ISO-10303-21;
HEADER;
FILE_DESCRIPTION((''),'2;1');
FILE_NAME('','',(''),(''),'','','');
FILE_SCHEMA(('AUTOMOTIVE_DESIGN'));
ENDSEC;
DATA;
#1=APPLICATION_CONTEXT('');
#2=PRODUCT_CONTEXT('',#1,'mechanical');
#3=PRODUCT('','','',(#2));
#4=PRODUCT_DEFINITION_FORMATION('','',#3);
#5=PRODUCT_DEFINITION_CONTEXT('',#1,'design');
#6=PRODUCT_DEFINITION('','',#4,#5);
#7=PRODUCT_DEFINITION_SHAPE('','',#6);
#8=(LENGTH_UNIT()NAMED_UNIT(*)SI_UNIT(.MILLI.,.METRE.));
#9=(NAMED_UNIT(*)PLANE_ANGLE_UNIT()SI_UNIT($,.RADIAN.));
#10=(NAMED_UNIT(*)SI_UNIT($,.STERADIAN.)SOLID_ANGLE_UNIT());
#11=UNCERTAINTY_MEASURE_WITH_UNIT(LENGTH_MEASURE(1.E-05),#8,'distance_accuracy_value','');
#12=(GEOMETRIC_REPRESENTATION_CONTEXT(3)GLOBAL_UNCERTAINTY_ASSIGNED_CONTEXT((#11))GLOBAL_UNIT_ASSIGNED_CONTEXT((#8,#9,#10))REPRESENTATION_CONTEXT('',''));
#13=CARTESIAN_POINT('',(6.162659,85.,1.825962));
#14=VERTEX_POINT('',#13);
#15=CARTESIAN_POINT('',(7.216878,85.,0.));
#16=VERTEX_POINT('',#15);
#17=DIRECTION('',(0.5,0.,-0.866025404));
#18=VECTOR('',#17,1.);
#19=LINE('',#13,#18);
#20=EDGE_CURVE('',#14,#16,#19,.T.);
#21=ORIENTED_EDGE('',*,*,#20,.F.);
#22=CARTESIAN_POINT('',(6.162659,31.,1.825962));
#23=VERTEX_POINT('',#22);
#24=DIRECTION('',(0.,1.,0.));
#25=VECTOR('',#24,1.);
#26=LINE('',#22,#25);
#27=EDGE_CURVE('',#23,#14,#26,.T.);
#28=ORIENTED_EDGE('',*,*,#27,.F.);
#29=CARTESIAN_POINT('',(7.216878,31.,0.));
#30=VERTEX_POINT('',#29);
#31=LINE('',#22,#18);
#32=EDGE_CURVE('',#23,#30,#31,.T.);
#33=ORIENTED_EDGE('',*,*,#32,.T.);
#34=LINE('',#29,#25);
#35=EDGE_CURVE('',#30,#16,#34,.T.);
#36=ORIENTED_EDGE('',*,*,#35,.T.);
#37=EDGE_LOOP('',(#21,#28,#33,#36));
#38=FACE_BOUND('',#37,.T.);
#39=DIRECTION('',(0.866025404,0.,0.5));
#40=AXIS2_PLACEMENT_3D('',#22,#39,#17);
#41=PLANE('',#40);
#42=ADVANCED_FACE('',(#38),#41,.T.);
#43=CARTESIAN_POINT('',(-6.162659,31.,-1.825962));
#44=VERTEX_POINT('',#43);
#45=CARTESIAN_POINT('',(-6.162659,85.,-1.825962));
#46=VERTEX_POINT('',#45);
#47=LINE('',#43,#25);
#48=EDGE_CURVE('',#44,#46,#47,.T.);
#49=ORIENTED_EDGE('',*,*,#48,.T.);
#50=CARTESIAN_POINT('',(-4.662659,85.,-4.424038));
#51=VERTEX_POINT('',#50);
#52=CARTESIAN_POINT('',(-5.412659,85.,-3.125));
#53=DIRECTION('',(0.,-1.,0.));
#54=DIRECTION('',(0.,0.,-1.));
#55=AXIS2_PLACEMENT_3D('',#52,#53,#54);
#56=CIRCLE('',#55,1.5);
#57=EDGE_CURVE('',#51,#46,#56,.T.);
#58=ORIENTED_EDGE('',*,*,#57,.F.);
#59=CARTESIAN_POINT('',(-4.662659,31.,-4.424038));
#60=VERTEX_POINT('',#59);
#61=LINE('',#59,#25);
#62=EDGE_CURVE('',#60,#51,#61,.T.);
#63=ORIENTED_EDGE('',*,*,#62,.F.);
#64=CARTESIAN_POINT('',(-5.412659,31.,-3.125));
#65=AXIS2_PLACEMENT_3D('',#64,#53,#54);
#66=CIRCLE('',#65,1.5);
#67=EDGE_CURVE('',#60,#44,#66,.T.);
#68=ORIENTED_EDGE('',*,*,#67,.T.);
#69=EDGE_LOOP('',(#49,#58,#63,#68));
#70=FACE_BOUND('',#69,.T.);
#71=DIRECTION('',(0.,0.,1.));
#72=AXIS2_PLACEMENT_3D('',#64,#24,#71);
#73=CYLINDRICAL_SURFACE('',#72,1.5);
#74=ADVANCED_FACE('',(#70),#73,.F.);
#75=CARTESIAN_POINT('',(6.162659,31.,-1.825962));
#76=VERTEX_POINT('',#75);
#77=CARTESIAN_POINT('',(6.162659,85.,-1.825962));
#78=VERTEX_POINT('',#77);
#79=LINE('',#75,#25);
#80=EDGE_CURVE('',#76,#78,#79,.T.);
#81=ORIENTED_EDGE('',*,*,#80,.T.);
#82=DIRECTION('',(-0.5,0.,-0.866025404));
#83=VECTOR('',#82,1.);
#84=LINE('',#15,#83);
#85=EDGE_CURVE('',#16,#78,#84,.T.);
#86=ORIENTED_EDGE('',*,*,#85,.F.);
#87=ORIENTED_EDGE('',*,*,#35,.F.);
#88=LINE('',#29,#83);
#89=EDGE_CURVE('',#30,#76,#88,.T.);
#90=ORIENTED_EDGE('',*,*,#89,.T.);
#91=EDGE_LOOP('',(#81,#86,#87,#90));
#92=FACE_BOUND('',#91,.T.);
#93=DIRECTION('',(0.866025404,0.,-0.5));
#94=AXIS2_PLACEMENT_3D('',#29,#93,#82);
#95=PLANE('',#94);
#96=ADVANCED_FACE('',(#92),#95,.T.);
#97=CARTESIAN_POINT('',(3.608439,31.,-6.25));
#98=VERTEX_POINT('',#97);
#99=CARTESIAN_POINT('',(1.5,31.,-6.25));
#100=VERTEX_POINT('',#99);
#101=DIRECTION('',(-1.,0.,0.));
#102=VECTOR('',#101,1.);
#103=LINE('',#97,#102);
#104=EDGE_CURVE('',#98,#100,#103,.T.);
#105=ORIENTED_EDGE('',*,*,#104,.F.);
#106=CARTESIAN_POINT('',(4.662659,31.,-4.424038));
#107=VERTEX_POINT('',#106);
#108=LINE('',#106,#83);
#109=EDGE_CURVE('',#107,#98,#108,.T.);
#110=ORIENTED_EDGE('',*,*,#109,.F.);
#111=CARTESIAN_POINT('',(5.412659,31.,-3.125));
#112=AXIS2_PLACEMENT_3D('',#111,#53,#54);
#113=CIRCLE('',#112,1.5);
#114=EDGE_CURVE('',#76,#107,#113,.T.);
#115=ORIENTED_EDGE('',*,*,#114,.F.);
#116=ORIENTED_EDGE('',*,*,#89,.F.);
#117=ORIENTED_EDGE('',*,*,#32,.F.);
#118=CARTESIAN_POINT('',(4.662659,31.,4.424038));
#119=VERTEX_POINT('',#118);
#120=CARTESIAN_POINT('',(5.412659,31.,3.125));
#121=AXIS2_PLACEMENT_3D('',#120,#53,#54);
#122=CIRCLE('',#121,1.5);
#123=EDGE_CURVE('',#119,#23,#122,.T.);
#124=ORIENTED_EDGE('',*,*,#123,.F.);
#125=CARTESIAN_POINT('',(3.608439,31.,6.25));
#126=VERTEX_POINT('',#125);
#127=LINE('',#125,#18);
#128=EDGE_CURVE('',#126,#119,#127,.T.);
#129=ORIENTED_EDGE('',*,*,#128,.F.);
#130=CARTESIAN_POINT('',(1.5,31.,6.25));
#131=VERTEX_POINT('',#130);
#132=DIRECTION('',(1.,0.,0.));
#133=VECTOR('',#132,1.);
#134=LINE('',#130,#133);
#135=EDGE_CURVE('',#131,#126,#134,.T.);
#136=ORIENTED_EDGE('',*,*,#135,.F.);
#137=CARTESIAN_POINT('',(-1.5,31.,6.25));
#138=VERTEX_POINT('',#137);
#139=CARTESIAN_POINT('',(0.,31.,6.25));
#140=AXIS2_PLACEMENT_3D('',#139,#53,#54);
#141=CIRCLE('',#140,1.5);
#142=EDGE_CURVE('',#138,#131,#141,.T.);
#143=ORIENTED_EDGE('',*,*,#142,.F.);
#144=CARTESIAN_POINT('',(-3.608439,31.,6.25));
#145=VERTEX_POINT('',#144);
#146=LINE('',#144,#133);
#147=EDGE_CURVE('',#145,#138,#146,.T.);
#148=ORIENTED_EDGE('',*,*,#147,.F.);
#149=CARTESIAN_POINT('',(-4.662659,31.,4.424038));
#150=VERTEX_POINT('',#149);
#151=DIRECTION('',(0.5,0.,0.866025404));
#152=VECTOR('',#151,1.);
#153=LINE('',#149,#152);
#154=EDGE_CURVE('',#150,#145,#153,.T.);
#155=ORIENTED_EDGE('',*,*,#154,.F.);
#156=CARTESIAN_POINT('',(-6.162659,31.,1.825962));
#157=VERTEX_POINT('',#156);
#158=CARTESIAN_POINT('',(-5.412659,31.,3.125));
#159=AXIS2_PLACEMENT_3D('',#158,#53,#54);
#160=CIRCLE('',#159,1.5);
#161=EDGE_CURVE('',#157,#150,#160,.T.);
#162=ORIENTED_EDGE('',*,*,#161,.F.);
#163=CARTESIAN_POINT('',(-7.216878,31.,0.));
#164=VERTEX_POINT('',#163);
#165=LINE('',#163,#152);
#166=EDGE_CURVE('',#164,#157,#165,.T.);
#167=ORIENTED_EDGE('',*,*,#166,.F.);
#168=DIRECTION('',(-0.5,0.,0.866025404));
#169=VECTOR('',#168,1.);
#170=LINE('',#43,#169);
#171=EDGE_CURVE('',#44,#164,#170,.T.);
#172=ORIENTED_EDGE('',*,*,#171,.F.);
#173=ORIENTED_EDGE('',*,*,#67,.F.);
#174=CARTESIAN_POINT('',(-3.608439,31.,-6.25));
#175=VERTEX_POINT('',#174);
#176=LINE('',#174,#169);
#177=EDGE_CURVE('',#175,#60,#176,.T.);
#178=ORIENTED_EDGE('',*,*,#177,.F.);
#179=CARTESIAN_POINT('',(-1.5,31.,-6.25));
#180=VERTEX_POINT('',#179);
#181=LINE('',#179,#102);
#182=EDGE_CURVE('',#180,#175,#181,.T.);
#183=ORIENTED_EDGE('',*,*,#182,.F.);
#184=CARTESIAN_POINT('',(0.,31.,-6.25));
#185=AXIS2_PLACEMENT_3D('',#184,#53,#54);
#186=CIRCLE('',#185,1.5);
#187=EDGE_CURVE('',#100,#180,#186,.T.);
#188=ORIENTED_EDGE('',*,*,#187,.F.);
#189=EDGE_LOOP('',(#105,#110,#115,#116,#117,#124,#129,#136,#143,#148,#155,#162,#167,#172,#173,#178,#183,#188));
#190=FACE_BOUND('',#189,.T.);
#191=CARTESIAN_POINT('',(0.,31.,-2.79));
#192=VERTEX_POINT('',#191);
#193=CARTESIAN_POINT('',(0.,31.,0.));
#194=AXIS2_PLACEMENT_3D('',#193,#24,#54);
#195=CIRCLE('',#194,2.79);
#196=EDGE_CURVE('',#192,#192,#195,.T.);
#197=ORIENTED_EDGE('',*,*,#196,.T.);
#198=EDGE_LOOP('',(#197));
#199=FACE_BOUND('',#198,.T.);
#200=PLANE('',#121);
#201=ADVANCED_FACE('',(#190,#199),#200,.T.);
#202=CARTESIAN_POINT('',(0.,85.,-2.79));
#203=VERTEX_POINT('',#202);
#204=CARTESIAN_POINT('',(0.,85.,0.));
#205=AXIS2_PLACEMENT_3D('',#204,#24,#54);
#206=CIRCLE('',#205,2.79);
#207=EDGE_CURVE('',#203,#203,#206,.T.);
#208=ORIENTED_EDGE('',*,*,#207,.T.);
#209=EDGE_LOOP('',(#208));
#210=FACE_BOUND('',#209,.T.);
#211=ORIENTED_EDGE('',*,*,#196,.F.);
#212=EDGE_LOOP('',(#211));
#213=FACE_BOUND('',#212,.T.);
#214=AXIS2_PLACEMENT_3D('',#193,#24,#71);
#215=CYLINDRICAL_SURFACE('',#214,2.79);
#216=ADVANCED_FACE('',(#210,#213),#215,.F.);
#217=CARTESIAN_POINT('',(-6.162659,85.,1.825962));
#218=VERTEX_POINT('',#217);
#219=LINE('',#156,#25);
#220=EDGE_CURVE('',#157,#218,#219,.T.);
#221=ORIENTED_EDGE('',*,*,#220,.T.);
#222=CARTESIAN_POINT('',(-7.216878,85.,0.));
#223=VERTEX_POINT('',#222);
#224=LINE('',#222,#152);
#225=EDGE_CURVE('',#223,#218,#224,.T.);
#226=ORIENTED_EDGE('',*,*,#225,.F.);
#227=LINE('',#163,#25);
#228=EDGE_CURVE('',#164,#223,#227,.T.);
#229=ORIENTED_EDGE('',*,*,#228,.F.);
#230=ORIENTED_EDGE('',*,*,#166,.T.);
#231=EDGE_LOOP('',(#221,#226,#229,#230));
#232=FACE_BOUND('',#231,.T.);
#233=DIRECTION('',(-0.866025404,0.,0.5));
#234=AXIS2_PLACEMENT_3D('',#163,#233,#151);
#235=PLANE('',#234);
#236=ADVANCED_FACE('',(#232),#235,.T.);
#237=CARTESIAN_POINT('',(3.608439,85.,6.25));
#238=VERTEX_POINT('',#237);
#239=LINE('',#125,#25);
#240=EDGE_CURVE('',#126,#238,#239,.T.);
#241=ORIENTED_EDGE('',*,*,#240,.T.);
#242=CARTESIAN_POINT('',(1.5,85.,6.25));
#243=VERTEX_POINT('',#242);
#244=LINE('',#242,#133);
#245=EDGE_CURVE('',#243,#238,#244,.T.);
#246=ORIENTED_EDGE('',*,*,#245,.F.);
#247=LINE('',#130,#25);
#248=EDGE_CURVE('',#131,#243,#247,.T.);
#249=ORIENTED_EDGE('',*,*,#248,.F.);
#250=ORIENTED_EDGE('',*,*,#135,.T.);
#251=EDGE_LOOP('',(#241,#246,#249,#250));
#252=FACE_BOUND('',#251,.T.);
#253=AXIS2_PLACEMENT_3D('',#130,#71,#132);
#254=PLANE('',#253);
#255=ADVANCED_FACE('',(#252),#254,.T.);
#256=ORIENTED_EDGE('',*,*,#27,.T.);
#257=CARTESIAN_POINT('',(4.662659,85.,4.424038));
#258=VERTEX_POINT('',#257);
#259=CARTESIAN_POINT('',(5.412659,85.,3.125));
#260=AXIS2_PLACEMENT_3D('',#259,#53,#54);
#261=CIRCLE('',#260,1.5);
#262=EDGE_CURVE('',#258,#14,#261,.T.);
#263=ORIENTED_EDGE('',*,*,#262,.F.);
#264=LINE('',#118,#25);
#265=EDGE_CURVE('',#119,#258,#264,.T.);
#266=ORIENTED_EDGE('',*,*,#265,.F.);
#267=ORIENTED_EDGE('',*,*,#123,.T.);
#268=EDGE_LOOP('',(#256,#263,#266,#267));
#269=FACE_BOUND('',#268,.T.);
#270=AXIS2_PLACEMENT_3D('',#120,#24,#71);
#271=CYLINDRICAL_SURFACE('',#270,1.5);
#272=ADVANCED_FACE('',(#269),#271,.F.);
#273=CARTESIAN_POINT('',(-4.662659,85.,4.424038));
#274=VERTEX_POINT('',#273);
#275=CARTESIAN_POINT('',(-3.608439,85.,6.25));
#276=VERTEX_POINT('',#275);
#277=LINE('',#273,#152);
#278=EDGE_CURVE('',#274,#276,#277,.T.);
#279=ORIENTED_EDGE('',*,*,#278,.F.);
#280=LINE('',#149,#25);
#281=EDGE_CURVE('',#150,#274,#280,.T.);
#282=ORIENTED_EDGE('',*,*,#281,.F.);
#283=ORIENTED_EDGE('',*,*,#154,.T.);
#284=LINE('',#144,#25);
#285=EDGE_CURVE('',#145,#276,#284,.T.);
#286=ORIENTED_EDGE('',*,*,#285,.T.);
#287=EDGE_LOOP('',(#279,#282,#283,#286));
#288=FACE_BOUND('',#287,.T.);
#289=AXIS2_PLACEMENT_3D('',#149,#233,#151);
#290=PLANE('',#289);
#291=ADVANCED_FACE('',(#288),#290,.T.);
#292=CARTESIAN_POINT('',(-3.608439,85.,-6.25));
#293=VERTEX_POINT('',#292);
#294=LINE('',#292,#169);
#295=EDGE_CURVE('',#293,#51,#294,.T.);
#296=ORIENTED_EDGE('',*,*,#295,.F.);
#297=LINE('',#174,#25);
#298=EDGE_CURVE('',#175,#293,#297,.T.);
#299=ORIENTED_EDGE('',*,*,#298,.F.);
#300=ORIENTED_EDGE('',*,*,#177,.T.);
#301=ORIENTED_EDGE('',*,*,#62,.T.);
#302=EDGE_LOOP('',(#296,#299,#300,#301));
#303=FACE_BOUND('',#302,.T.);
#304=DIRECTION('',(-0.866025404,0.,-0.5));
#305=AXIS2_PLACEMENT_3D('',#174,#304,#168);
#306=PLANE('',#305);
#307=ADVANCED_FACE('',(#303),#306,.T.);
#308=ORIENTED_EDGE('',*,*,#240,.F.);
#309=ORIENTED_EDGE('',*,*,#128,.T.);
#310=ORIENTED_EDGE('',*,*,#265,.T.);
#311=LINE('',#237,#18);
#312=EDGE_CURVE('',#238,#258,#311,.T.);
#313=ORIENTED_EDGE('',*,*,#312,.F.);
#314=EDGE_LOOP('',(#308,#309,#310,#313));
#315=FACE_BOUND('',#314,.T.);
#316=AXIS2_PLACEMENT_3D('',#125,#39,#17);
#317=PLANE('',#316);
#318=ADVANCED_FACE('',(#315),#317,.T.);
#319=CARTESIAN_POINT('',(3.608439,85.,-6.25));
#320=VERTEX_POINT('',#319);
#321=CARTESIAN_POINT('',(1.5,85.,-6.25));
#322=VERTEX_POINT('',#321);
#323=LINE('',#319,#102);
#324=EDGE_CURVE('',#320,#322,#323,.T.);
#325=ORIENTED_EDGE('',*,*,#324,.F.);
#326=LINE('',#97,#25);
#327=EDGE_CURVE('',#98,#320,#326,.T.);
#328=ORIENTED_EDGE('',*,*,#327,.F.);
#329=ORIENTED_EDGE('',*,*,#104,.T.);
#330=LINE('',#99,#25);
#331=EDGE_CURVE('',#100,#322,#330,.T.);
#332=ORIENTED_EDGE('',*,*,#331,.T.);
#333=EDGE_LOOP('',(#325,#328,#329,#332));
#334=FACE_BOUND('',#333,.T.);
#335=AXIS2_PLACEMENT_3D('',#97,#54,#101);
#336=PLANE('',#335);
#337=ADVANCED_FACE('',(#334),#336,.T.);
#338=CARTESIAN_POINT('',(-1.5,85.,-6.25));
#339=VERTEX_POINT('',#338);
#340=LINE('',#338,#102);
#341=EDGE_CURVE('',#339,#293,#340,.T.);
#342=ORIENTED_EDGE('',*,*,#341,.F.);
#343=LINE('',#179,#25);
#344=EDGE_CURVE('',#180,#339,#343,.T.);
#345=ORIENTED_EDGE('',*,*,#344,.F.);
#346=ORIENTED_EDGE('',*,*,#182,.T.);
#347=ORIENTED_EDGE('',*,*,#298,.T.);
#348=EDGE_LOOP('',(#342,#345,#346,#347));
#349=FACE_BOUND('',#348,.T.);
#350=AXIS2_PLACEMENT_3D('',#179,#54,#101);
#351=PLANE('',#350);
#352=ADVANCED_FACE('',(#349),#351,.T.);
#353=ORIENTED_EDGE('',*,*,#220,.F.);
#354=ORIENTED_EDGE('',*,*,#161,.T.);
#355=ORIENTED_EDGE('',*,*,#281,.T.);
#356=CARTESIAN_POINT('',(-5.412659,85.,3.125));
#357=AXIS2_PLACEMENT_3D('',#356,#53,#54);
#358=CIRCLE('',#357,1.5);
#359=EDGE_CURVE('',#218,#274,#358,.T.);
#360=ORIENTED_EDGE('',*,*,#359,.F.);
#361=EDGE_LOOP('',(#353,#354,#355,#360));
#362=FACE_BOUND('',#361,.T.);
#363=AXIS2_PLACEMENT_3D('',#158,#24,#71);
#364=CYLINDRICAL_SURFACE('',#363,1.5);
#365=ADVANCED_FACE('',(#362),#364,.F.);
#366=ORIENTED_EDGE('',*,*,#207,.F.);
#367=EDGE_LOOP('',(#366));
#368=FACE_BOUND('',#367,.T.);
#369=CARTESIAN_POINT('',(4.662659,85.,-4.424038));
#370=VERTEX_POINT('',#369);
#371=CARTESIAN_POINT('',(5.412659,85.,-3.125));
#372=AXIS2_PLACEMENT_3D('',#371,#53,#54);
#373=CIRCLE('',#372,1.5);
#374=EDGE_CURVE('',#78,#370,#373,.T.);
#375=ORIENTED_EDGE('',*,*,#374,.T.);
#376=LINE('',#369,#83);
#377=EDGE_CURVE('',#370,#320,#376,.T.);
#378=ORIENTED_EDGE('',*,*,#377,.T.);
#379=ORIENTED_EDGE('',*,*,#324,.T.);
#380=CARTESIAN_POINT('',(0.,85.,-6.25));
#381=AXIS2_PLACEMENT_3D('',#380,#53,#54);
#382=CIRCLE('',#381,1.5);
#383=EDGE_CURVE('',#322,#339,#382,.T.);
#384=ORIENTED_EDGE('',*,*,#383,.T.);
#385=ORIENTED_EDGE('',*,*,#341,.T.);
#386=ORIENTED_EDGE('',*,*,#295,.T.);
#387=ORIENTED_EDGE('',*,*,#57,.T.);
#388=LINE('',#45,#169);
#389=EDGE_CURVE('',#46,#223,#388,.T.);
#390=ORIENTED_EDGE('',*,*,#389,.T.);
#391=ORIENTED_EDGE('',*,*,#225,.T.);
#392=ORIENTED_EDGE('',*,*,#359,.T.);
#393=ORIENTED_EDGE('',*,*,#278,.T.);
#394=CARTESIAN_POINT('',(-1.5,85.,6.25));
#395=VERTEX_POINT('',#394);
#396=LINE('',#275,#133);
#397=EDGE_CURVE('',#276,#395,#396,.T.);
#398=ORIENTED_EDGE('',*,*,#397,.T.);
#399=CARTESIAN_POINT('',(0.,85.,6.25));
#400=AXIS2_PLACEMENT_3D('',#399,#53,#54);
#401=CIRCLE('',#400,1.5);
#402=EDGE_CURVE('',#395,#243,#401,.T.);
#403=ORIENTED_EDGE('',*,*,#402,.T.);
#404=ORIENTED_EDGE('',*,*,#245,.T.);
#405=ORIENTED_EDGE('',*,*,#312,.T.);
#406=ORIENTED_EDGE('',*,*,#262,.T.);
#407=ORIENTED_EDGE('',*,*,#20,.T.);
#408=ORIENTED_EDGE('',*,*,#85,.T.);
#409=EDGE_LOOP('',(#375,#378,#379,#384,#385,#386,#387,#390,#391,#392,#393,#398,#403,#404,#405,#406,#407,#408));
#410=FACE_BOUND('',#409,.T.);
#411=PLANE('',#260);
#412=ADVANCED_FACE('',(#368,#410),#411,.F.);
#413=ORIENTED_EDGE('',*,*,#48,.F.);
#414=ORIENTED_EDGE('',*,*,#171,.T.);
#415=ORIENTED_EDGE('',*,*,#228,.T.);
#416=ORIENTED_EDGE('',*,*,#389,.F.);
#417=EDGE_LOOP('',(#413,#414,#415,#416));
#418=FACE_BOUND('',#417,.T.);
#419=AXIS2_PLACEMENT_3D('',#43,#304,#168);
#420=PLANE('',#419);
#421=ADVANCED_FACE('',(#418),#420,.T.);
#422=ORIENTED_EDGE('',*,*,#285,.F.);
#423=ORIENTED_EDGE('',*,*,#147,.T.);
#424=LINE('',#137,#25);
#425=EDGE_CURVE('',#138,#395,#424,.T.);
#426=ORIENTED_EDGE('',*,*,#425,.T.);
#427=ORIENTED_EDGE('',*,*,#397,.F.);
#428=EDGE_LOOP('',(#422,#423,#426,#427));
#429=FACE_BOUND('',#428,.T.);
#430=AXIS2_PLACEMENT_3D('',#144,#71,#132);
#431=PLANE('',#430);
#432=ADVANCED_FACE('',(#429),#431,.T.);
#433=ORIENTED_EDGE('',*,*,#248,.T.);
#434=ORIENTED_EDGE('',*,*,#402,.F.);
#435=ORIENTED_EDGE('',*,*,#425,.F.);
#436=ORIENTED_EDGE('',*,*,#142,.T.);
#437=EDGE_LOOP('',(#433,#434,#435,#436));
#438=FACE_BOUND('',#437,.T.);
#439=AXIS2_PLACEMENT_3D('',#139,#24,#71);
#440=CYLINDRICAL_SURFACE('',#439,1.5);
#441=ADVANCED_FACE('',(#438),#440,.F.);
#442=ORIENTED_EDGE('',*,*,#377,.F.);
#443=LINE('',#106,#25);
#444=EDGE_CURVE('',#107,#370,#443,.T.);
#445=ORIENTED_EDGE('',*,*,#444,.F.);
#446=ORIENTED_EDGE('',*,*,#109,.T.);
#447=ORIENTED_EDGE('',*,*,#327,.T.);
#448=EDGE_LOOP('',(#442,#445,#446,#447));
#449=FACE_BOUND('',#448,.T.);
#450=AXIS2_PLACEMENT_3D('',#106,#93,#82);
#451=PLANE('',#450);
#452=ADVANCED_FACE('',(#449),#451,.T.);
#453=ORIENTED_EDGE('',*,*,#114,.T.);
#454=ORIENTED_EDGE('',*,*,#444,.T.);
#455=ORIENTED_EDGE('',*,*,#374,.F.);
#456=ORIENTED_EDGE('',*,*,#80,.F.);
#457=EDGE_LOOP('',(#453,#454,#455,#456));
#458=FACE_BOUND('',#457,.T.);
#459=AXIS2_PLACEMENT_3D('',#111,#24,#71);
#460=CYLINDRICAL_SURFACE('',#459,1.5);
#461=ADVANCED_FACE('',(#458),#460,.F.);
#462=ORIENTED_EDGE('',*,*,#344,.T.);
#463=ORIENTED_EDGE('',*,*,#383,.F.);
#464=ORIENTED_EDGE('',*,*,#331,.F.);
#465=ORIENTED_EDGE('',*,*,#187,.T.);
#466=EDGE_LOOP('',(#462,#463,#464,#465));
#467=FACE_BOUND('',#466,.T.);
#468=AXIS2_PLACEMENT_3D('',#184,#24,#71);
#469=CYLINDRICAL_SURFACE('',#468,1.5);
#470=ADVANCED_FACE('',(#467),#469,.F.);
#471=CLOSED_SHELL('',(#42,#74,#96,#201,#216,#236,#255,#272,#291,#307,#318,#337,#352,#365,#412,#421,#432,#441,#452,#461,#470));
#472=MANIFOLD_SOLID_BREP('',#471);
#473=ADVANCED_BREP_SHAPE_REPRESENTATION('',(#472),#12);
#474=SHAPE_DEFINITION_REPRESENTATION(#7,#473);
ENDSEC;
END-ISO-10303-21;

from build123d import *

# Parameters (mm, degrees)
ESBO_O1_R                = 2.79
RESSALTO_EXTRUS_O1_DEPTH = 54


with BuildPart() as part:
    # Esboço1 → Ressalto-extrusão1 (new body)
    with BuildSketch(Plane(origin=(0, 85, 0), x_dir=(1, 0, 0), z_dir=(0, 1, 0))):
        with BuildLine():
            Line((6.162658774, -1.825961894), (7.216878365, 0))
            Line((7.216878365, 0), (6.162658774, 1.825961894))
            ThreePointArc((6.162658774, 1.825961894), (4.113620668, 2.375), (4.662658774, 4.424038106))
            Line((4.662658774, 4.424038106), (3.608439182, 6.25))
            Line((3.608439182, 6.25), (1.5, 6.25))
            ThreePointArc((1.5, 6.25), (0, 4.75), (-1.5, 6.25))
            Line((-1.5, 6.25), (-3.608439182, 6.25))
            Line((-3.608439182, 6.25), (-4.662658774, 4.424038106))
            ThreePointArc((-4.662658774, 4.424038106), (-4.113620668, 2.375), (-6.162658774, 1.825961894))
            Line((-6.162658774, 1.825961894), (-7.216878365, 0))
            Line((-7.216878365, 0), (-6.162658774, -1.825961894))
            ThreePointArc((-6.162658774, -1.825961894), (-4.113620668, -2.375), (-4.662658774, -4.424038106))
            Line((-4.662658774, -4.424038106), (-3.608439182, -6.25))
            Line((-3.608439182, -6.25), (-1.5, -6.25))
            ThreePointArc((-1.5, -6.25), (0, -4.75), (1.5, -6.25))
            Line((1.5, -6.25), (3.608439182, -6.25))
            Line((3.608439182, -6.25), (4.662658774, -4.424038106))
            ThreePointArc((4.662658774, -4.424038106), (4.113620668, -2.375), (6.162658774, -1.825961894))
        make_face()
        Circle(ESBO_O1_R, mode=Mode.SUBTRACT)
    extrude(amount=-RESSALTO_EXTRUS_O1_DEPTH)


solid = part.part
